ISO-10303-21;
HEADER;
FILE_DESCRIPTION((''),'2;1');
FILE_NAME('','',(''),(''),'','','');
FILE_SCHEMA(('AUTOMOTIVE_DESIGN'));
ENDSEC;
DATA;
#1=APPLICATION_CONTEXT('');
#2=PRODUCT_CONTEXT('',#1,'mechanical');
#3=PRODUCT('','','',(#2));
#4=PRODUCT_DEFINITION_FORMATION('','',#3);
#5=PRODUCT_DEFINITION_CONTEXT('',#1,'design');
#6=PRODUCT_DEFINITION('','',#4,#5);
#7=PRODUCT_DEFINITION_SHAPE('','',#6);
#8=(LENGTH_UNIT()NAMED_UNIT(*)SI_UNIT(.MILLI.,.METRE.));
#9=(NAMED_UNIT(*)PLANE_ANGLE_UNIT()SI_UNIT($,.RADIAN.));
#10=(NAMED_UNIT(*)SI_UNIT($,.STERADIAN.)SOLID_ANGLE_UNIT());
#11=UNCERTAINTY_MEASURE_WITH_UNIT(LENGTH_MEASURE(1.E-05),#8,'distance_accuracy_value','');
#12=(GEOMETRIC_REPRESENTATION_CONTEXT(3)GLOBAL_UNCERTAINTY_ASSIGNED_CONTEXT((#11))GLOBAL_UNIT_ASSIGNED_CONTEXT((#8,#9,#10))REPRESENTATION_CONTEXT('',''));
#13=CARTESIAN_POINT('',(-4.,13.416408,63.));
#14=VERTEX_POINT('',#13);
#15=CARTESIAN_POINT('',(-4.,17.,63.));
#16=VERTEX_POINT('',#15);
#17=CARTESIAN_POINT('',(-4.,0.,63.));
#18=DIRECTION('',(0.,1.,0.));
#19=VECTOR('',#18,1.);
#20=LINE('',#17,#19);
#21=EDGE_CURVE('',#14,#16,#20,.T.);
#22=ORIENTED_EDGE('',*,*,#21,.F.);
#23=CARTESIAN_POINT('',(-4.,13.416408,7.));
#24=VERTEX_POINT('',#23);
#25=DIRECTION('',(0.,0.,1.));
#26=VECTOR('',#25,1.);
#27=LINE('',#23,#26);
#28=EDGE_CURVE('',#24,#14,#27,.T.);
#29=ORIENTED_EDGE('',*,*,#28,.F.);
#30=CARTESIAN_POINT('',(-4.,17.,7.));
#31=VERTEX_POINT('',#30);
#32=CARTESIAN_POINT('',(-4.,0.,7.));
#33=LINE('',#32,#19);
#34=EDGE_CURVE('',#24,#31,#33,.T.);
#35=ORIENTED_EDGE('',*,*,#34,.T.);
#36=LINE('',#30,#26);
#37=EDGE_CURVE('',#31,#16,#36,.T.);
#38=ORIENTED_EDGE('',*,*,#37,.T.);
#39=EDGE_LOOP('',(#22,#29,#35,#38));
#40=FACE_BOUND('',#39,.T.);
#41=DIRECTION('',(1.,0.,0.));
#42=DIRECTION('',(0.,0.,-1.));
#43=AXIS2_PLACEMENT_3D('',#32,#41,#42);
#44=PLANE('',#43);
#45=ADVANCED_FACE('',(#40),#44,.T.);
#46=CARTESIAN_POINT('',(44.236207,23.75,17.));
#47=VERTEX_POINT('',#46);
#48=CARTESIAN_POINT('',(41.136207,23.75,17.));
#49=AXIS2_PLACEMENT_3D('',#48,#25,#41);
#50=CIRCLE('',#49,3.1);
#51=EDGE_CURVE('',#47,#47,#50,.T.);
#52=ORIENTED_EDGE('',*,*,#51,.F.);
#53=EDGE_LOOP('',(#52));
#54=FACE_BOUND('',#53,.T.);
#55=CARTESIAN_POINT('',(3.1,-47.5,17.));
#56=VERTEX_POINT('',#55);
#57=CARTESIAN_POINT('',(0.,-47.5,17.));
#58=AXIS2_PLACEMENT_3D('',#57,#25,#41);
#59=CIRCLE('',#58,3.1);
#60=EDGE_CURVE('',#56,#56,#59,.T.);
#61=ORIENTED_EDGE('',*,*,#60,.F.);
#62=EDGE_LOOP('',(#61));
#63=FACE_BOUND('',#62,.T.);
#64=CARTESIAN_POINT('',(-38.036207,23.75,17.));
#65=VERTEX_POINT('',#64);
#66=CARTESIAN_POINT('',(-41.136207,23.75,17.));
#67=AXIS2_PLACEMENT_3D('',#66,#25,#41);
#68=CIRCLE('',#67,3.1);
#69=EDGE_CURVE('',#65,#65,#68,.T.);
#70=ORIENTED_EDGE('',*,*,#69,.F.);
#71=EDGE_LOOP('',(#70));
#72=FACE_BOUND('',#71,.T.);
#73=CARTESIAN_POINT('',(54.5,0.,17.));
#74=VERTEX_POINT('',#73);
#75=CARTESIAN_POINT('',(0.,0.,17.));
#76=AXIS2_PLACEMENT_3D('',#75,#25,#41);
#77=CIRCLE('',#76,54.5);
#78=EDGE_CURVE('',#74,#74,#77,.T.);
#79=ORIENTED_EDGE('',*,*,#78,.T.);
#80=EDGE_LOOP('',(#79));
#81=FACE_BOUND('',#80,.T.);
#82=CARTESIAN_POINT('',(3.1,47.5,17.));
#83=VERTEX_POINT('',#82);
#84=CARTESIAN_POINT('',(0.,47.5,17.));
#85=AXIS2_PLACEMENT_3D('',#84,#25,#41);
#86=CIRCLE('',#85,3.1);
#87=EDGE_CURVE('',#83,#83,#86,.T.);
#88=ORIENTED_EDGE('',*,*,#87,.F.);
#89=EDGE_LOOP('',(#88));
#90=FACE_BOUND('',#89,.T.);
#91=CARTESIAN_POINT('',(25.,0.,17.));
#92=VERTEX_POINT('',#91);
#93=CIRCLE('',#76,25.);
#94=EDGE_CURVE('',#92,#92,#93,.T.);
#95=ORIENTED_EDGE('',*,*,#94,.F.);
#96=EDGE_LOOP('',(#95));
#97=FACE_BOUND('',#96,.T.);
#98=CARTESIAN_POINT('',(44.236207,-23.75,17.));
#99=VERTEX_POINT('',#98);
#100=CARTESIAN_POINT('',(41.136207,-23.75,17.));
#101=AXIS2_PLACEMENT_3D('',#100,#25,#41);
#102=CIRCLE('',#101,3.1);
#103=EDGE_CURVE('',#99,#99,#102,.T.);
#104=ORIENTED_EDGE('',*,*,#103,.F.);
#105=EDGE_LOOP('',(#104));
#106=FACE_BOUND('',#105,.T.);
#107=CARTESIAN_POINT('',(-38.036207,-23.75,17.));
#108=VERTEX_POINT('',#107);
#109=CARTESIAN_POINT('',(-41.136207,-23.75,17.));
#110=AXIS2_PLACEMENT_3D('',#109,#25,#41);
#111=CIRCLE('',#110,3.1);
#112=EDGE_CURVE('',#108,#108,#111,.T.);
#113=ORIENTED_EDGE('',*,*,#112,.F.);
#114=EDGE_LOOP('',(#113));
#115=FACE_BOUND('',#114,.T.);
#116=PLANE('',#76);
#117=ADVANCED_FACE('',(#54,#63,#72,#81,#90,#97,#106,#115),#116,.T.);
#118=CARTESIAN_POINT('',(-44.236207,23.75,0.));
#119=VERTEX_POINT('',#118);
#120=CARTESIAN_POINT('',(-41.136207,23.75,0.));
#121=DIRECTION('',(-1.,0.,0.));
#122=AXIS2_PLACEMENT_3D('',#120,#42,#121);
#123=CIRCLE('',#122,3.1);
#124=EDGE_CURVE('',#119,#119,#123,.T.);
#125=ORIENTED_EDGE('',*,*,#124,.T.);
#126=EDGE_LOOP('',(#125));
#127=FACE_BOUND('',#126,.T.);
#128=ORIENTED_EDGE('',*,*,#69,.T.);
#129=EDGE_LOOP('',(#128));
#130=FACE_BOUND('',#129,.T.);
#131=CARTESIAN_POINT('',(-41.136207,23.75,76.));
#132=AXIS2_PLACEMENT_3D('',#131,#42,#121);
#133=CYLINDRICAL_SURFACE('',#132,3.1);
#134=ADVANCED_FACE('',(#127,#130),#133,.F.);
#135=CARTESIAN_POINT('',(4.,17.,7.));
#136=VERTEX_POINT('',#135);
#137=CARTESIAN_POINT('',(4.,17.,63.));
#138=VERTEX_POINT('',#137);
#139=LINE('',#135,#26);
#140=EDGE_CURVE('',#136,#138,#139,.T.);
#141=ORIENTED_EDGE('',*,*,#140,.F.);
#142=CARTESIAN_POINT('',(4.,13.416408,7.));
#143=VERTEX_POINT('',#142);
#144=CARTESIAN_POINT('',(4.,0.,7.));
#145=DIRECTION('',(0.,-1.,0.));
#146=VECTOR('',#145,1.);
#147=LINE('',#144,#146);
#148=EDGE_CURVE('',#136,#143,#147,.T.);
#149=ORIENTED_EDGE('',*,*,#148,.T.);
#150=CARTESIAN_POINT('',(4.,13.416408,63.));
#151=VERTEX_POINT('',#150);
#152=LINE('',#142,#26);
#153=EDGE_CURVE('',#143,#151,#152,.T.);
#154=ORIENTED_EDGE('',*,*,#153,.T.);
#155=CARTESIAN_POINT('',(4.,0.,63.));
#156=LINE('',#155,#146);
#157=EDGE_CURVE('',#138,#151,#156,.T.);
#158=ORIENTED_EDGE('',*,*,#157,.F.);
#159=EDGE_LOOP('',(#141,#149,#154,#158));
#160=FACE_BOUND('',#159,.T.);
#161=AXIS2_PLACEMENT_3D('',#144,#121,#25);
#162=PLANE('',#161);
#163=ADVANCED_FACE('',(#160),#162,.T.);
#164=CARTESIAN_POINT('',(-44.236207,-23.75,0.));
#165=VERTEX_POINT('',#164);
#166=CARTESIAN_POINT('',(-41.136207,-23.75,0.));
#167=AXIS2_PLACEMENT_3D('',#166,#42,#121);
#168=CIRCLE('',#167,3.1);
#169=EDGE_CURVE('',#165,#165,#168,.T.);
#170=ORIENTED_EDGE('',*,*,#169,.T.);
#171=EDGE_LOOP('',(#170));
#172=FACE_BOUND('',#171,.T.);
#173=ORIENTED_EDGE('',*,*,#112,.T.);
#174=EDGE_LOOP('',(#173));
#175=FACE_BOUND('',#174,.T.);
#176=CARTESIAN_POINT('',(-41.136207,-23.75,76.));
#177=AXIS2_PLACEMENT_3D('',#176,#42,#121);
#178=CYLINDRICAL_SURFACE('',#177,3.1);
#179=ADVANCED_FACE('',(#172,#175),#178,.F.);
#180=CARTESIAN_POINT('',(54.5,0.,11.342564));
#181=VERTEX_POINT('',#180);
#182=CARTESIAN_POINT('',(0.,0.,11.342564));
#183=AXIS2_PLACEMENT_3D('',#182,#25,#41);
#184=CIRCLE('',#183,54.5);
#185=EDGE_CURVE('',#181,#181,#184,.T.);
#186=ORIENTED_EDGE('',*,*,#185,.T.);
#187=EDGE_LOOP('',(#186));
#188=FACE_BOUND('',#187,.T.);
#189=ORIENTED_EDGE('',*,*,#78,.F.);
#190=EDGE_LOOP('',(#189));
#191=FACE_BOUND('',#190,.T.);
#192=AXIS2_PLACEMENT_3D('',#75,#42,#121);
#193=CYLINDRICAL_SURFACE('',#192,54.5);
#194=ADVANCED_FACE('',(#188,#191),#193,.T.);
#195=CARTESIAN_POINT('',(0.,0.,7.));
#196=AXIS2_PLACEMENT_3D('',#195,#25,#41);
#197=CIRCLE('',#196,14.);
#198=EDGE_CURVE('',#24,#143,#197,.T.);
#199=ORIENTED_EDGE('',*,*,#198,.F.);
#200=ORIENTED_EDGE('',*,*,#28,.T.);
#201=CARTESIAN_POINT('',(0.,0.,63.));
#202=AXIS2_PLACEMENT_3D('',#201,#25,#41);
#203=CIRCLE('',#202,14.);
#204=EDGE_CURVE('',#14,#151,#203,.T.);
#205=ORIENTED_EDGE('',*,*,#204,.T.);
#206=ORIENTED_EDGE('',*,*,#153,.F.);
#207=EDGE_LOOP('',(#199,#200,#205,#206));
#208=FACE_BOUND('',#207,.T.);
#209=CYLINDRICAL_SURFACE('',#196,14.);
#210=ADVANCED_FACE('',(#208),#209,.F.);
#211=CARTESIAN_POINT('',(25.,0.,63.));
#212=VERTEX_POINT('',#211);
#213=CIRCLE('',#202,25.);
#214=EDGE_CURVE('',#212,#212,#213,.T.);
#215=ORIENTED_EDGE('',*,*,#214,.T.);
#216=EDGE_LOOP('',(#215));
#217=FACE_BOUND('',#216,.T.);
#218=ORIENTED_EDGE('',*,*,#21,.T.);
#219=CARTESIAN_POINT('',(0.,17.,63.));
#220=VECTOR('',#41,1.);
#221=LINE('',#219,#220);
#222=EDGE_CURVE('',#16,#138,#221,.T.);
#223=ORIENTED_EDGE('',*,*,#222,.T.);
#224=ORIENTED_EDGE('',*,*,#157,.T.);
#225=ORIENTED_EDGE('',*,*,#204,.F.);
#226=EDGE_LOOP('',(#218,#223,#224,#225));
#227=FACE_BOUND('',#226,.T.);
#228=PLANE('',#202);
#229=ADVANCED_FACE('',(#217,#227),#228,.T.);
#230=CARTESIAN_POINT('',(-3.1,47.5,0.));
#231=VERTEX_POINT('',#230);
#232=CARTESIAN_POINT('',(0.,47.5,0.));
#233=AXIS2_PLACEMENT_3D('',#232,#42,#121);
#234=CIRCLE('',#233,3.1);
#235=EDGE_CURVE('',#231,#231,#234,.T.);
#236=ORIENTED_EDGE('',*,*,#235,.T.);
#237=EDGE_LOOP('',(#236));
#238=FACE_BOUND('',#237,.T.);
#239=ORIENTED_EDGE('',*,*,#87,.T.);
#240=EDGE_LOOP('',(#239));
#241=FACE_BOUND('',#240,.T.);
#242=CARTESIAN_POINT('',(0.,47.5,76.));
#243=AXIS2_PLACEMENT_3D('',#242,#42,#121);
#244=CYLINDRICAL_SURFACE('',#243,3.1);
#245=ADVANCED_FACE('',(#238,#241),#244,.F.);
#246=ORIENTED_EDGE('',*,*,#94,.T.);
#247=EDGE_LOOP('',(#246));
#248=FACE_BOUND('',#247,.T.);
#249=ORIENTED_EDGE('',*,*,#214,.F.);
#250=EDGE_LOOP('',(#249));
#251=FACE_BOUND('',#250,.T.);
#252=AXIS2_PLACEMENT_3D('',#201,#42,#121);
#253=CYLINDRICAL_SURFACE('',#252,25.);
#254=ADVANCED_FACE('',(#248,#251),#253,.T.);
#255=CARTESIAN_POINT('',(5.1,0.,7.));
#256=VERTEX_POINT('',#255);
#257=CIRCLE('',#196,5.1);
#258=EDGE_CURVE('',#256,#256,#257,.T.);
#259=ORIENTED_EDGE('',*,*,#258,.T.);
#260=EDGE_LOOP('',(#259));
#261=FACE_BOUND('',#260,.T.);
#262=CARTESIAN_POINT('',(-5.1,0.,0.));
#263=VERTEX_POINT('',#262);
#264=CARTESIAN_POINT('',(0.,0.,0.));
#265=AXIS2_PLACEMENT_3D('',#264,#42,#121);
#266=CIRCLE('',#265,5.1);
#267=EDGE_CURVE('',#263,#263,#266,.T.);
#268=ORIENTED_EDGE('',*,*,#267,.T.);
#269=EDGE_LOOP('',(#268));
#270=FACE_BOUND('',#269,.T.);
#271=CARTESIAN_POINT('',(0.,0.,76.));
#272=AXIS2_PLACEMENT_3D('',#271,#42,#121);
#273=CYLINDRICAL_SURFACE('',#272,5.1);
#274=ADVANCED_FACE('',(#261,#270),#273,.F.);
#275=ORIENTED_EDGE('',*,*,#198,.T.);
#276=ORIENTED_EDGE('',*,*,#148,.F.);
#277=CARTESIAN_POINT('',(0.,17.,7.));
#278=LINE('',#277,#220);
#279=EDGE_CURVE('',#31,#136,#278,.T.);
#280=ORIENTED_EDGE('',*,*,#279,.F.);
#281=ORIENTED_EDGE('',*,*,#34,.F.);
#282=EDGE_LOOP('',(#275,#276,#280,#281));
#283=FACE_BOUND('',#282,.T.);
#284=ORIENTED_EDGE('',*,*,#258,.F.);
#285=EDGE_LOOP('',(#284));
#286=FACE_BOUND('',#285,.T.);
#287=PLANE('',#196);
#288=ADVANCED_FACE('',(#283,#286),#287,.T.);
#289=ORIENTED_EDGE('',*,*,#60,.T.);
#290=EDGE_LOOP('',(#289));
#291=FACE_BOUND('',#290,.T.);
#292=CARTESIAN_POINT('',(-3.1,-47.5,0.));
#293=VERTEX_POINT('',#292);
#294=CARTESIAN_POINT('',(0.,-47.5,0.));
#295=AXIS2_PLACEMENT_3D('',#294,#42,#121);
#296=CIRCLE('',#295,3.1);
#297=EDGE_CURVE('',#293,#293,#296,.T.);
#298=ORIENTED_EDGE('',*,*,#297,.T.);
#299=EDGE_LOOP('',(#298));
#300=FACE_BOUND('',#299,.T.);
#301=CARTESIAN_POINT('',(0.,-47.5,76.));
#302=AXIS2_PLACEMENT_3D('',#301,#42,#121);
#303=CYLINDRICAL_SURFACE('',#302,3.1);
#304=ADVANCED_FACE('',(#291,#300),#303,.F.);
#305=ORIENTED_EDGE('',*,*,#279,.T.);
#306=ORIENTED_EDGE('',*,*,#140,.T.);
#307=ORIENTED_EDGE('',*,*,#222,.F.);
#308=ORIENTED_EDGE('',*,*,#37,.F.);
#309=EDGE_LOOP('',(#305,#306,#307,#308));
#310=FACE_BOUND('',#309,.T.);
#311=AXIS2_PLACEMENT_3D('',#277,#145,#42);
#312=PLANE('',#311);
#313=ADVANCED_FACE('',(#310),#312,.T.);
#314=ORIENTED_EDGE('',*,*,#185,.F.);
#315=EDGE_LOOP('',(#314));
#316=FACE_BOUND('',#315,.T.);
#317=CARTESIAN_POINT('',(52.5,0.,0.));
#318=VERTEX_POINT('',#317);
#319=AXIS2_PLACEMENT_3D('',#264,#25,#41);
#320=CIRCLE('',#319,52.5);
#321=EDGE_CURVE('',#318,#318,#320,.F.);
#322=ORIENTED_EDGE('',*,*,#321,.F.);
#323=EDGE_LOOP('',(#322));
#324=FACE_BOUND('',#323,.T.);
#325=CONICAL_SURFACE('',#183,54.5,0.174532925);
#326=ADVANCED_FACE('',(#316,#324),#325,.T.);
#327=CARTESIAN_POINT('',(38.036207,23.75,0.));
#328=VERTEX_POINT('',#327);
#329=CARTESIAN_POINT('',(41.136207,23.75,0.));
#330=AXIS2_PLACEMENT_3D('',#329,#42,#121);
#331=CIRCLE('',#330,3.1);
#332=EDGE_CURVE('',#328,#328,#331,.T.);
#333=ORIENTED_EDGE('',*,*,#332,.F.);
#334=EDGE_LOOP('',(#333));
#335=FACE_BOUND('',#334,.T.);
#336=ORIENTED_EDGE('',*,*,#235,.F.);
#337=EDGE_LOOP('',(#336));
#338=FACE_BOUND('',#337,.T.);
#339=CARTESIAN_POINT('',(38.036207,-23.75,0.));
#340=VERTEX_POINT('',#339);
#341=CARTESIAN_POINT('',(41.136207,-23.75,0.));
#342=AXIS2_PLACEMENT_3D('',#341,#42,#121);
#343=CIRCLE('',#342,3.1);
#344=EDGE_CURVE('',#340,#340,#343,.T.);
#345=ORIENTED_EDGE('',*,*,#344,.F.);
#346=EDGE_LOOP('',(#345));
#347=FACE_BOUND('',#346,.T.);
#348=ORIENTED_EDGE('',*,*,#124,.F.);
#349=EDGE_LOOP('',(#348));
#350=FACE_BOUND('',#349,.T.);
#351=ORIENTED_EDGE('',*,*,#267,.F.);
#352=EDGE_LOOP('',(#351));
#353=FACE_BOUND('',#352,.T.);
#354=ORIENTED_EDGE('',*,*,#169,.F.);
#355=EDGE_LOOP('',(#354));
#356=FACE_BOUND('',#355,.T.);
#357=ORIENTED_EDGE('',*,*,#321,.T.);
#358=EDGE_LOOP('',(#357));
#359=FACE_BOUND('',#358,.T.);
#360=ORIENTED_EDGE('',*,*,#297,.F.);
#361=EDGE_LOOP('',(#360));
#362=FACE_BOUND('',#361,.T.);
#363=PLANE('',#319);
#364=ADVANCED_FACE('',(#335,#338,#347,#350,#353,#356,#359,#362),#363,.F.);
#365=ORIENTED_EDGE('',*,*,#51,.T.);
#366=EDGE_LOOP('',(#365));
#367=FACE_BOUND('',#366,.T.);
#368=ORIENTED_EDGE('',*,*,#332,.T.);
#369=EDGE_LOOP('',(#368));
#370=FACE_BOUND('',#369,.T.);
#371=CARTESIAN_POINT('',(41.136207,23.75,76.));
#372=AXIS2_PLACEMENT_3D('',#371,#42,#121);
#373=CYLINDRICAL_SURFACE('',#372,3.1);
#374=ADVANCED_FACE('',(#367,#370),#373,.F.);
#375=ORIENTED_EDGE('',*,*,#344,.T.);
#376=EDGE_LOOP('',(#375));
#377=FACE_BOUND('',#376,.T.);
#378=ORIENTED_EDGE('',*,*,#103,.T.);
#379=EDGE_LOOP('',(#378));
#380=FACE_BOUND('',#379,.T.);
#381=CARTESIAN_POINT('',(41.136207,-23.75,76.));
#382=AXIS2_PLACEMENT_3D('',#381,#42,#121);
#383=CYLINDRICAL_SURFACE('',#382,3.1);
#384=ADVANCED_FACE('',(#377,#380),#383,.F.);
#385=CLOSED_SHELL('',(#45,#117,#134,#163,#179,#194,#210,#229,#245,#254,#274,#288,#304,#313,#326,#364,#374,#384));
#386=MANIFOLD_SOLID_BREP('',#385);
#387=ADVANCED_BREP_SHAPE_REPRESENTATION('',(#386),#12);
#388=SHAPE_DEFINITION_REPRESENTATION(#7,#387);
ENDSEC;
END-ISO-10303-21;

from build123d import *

# Parameters (mm, degrees)
ESQUISSE1_R             = 54.5
BOSS_EXTRU_1_DEPTH      = 17
ESQUISSE5_R             = 25
BOSS_EXTRU_4_DEPTH      = 46
ENL_V_MAT_EXTRU_2_DEPTH = 56
ESQUISSE8_R             = 5.1
ENL_V_MAT_EXTRU_3_DEPTH = 76
ESQUISSE9_R             = 3.1
ENL_V_MAT_EXTRU_4_DEPTH = 76
CHANFREIN1_SIZE         = 2
CHANFREIN1_SIZE2        = 11.342563639


with BuildPart() as part:
    # Esquisse1 → Boss.-Extru.1 (new body)
    with BuildSketch(Plane.XY):
        Circle(ESQUISSE1_R)
    extrude(amount=BOSS_EXTRU_1_DEPTH)

    # Esquisse5 → Boss.-Extru.4 (add)
    with BuildSketch(Plane.XY.offset(17)):
        Circle(ESQUISSE5_R)
    extrude(amount=BOSS_EXTRU_4_DEPTH)

    # Esquisse7 → Enlèv. mat.-Extru.2 (cut)
    with BuildSketch(Plane.XY.offset(63)):
        with BuildLine():
            Line((-4, 17), (-4, 13.416407865))
            ThreePointArc((-4, 13.416407865), (0, -14), (4, 13.416407865))
            Line((4, 13.416407865), (4, 17))
            Line((4, 17), (-4, 17))
        make_face()
    extrude(amount=-ENL_V_MAT_EXTRU_2_DEPTH, mode=Mode.SUBTRACT)

    # Esquisse8 → Enlèv. mat.-Extru.3 (cut)
    with BuildSketch(Plane(origin=(0, 0, 0), x_dir=(-1, 0, 0), z_dir=(0, 0, -1))):
        Circle(ESQUISSE8_R)
    extrude(amount=-ENL_V_MAT_EXTRU_3_DEPTH, mode=Mode.SUBTRACT)

    # Esquisse9 → Enlèv. mat.-Extru.4 (cut)
    with BuildSketch(Plane(origin=(0, 0, 0), x_dir=(-1, 0, 0), z_dir=(0, 0, -1))):
        with Locations((0, 47.5)):
            Circle(ESQUISSE9_R)
        with Locations((41.13620668, 23.75)):
            Circle(ESQUISSE9_R)
        with Locations((41.13620668, -23.75)):
            Circle(ESQUISSE9_R)
        with Locations((0, -47.5)):
            Circle(ESQUISSE9_R)
        with Locations((-41.13620668, -23.75)):
            Circle(ESQUISSE9_R)
        with Locations((-41.13620668, 23.75)):
            Circle(ESQUISSE9_R)
    extrude(amount=-ENL_V_MAT_EXTRU_4_DEPTH, mode=Mode.SUBTRACT)

    # Chanfrein1
    chanfrein1_edges = [part.edges().sort_by_distance(p)[0] for p in [
        (-54.5, 0, 0),
    ]]
    chanfrein1_side = [part.faces().sort_by_distance(p)[0] for p in [
        (-52.958507217, 0, 0),
    ]]
    chamfer(chanfrein1_edges, length=CHANFREIN1_SIZE, length2=CHANFREIN1_SIZE2, reference=chanfrein1_side[0])


solid = part.part
